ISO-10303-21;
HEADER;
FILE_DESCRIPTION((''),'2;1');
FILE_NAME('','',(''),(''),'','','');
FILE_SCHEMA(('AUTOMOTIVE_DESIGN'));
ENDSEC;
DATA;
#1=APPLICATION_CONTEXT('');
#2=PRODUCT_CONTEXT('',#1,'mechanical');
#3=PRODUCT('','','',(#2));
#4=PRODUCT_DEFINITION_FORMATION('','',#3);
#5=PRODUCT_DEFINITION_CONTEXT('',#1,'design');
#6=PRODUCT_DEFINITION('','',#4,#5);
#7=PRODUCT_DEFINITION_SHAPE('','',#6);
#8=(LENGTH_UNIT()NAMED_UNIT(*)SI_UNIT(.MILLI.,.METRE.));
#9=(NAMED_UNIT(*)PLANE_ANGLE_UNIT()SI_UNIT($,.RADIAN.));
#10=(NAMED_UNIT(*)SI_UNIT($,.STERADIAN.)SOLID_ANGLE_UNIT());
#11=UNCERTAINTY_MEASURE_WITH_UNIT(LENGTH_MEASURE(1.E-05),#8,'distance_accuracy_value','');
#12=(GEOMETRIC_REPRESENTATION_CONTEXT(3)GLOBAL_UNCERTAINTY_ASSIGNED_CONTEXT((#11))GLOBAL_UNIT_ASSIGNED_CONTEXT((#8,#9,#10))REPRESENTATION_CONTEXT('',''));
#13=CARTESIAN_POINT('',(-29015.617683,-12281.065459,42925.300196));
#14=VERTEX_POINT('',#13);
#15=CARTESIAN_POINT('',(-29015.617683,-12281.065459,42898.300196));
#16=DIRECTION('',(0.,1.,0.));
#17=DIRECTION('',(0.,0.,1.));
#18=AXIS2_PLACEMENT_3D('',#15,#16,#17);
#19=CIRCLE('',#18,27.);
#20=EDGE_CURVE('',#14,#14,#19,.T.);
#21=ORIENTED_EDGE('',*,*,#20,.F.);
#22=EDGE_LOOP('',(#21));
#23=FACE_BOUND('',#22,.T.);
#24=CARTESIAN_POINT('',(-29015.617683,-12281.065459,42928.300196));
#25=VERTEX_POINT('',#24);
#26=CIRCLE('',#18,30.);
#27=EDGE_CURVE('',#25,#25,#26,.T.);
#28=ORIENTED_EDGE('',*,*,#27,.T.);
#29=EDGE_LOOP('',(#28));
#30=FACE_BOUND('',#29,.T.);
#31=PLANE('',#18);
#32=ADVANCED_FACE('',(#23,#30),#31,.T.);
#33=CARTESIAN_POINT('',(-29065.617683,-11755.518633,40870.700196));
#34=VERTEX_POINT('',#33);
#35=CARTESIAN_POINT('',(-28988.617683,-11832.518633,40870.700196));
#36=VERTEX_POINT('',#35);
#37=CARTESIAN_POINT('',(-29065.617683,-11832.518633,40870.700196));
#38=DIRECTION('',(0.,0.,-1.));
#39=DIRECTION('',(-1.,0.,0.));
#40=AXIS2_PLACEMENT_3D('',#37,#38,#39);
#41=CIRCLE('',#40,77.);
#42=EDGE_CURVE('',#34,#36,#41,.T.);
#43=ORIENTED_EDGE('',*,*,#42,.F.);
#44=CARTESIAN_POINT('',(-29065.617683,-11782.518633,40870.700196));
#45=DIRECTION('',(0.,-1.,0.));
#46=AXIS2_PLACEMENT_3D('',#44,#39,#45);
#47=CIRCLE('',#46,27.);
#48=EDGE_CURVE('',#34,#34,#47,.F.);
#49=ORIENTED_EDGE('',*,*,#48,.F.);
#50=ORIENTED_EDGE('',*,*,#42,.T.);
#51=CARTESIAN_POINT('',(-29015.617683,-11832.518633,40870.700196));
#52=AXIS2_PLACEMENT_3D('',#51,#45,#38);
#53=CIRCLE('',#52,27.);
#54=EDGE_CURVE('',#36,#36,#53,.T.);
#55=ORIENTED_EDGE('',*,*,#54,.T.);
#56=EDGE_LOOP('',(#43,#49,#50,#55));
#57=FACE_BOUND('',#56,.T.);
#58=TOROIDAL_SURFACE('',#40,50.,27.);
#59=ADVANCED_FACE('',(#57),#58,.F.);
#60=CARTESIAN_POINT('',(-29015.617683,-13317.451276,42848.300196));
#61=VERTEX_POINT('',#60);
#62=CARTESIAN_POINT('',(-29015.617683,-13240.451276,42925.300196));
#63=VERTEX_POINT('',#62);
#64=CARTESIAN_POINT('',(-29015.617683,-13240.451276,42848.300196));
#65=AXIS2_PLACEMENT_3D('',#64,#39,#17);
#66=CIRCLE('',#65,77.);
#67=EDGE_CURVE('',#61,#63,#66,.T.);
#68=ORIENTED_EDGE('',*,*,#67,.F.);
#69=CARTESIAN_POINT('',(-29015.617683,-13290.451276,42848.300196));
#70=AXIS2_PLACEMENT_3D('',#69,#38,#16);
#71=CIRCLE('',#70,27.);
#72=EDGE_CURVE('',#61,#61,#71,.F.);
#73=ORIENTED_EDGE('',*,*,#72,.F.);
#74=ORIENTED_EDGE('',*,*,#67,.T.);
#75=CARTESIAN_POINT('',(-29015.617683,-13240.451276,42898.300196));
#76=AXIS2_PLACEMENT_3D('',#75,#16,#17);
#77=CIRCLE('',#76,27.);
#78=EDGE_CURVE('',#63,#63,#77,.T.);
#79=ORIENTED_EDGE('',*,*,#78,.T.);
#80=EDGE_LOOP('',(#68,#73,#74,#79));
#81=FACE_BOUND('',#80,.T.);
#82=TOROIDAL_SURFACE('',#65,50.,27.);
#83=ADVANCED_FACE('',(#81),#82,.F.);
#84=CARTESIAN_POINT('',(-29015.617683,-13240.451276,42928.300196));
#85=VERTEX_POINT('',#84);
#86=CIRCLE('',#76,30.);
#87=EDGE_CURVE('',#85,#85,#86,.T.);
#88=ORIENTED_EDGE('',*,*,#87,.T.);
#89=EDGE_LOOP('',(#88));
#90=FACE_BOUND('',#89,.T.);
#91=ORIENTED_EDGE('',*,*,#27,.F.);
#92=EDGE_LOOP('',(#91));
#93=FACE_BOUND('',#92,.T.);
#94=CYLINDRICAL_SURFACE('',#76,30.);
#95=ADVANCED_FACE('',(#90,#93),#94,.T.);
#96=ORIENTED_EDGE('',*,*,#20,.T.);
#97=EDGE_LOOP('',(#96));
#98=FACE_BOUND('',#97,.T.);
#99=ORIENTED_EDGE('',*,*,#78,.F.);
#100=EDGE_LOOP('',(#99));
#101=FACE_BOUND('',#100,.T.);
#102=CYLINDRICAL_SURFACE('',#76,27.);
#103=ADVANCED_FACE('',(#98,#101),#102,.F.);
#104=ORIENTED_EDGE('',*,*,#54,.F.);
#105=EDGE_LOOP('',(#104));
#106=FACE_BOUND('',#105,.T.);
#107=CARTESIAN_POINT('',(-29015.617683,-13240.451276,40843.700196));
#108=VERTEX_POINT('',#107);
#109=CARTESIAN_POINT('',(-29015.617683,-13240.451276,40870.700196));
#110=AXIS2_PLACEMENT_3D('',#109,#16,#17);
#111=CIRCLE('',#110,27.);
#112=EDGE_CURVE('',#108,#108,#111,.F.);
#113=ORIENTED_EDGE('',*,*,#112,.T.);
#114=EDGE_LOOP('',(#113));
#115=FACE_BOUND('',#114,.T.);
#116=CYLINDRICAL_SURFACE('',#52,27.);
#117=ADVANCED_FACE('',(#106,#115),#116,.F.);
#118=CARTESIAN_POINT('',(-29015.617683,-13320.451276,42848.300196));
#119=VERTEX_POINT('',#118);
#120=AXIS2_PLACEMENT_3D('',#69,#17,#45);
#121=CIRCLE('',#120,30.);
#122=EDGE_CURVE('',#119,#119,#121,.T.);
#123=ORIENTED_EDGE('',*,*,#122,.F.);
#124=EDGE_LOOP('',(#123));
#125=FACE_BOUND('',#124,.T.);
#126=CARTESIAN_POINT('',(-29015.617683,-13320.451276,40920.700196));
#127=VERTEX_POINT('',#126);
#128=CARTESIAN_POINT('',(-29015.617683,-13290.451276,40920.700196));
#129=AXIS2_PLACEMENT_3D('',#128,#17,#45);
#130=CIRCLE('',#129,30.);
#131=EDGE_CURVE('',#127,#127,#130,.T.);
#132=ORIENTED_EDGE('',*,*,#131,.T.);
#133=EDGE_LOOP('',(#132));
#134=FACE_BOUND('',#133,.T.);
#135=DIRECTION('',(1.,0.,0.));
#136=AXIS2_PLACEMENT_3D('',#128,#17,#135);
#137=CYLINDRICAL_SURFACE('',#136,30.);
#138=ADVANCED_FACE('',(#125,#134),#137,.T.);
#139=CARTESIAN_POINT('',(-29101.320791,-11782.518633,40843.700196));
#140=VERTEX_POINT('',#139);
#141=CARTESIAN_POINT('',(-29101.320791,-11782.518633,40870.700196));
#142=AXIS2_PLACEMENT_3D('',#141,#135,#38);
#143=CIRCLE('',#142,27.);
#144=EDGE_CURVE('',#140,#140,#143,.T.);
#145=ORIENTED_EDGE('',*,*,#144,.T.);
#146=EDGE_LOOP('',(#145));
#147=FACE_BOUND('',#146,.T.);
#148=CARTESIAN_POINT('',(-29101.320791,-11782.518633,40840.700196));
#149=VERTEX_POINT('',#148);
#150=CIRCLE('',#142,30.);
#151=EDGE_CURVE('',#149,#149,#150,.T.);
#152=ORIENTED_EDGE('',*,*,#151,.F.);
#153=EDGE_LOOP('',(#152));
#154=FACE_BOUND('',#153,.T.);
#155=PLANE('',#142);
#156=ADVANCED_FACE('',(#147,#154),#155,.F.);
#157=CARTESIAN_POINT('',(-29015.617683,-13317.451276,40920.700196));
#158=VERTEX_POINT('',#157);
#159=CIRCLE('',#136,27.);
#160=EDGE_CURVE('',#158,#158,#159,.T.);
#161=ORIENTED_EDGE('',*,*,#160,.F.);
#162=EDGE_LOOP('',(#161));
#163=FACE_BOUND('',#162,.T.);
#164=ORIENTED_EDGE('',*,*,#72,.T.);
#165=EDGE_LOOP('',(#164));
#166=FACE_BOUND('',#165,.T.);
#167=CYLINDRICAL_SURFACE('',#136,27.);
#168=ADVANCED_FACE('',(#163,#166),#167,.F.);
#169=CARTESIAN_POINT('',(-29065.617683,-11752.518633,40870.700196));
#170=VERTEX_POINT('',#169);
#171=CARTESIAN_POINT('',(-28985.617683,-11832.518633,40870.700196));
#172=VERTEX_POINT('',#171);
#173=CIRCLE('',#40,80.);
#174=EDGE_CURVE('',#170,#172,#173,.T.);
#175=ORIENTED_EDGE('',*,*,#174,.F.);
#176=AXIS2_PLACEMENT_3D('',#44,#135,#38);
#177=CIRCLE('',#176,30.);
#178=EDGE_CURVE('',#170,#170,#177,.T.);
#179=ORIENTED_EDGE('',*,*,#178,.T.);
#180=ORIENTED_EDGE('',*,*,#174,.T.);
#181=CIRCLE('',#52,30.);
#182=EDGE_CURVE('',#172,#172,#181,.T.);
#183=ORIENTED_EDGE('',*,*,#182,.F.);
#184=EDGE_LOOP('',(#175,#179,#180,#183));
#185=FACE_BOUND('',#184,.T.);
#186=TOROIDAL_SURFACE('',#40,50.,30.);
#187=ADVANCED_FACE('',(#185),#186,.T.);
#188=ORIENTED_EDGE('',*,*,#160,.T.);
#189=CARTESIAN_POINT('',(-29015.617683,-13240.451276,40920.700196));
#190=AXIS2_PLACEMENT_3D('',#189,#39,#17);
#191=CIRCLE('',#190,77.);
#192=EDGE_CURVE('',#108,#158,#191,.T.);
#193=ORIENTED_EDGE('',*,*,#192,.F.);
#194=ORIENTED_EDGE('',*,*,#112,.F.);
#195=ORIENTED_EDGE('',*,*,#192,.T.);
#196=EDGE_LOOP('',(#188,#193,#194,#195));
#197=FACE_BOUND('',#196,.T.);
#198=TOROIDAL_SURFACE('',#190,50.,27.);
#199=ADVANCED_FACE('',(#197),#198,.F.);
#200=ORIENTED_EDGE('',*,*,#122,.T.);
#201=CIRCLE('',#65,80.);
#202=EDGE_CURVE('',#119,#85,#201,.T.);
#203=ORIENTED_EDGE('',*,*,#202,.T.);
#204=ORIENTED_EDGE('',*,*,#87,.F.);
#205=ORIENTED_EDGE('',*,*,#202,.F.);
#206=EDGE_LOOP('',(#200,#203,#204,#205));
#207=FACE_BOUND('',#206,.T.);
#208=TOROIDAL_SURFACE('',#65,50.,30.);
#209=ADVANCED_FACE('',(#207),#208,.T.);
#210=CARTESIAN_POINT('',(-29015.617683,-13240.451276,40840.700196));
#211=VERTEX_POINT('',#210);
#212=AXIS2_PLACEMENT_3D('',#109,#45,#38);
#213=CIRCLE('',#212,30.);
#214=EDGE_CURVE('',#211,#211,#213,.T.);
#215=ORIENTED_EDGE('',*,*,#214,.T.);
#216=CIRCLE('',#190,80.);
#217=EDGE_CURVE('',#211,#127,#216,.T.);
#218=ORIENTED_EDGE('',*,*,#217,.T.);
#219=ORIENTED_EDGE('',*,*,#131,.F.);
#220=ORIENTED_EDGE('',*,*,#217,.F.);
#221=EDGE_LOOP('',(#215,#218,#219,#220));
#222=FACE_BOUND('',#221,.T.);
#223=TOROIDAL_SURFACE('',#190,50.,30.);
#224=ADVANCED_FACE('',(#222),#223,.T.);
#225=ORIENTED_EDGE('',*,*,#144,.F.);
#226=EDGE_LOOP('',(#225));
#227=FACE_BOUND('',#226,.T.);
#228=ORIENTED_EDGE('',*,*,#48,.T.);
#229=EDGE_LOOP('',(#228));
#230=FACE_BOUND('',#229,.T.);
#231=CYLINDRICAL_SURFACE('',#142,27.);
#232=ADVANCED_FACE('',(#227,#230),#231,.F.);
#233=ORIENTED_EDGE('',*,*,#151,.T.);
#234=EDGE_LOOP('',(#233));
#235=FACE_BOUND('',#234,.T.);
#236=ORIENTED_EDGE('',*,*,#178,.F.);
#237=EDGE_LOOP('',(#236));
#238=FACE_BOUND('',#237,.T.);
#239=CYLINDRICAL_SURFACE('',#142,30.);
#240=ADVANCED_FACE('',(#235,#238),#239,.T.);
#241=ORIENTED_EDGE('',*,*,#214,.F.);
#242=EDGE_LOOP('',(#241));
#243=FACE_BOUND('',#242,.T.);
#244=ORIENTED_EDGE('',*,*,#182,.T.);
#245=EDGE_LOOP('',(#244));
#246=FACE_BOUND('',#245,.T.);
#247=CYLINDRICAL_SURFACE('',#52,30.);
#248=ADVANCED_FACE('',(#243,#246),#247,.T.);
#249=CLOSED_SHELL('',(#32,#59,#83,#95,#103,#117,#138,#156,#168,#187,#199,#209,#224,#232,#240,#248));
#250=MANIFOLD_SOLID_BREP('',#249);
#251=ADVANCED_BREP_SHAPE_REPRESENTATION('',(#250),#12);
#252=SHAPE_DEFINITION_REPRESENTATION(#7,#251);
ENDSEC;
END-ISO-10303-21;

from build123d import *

# Parameters (mm, degrees)
SWEEP_THIN1_PROFILE_R   = 30
SWEEP_THIN1_PROFILE_R_2 = 27


with BuildPart() as part:
    # Sweep-Thin1: sweep along a curve in space
    with BuildLine() as sweep_thin1_path:
        Line((-29015.617683291, -12281.065459453, 42898.300196057), (-29015.617683291, -13240.451275542, 42898.300196057))
        ThreePointArc((-29015.617683291, -13290.451275542, 42848.300196057), (-29015.617683291, -13275.806614601, 42883.655535116), (-29015.617683291, -13240.451275542, 42898.300196057))
        Line((-29015.617683291, -13290.451275542, 42848.300196057), (-29015.617683291, -13290.451275542, 40920.700196057))
        ThreePointArc((-29015.617683291, -13240.451275542, 40870.700196057), (-29015.617683291, -13275.806614601, 40885.344856997), (-29015.617683291, -13290.451275542, 40920.700196057))
        Line((-29015.617683291, -13240.451275542, 40870.700196057), (-29015.617683291, -11832.518633414, 40870.700196057))
        ThreePointArc((-29065.617683291, -11782.518633414, 40870.700196057), (-29030.262344232, -11797.163294355, 40870.700196057), (-29015.617683291, -11832.518633414, 40870.700196057))
        Line((-29101.320791483, -11782.518633414, 40870.700196057), (-29065.617683291, -11782.518633414, 40870.700196057))
    # Sweep-Thin1 profile (on start of the path) → Sweep-Thin1 (sweep)
    with BuildSketch(Plane(origin=(-29015.617683291, -12281.065459453, 42898.300196057), x_dir=(0, 0, -1), z_dir=(0, -1, 0))):
        Circle(SWEEP_THIN1_PROFILE_R)
        Circle(SWEEP_THIN1_PROFILE_R_2, mode=Mode.SUBTRACT)
    sweep(path=sweep_thin1_path.line)


solid = part.part
